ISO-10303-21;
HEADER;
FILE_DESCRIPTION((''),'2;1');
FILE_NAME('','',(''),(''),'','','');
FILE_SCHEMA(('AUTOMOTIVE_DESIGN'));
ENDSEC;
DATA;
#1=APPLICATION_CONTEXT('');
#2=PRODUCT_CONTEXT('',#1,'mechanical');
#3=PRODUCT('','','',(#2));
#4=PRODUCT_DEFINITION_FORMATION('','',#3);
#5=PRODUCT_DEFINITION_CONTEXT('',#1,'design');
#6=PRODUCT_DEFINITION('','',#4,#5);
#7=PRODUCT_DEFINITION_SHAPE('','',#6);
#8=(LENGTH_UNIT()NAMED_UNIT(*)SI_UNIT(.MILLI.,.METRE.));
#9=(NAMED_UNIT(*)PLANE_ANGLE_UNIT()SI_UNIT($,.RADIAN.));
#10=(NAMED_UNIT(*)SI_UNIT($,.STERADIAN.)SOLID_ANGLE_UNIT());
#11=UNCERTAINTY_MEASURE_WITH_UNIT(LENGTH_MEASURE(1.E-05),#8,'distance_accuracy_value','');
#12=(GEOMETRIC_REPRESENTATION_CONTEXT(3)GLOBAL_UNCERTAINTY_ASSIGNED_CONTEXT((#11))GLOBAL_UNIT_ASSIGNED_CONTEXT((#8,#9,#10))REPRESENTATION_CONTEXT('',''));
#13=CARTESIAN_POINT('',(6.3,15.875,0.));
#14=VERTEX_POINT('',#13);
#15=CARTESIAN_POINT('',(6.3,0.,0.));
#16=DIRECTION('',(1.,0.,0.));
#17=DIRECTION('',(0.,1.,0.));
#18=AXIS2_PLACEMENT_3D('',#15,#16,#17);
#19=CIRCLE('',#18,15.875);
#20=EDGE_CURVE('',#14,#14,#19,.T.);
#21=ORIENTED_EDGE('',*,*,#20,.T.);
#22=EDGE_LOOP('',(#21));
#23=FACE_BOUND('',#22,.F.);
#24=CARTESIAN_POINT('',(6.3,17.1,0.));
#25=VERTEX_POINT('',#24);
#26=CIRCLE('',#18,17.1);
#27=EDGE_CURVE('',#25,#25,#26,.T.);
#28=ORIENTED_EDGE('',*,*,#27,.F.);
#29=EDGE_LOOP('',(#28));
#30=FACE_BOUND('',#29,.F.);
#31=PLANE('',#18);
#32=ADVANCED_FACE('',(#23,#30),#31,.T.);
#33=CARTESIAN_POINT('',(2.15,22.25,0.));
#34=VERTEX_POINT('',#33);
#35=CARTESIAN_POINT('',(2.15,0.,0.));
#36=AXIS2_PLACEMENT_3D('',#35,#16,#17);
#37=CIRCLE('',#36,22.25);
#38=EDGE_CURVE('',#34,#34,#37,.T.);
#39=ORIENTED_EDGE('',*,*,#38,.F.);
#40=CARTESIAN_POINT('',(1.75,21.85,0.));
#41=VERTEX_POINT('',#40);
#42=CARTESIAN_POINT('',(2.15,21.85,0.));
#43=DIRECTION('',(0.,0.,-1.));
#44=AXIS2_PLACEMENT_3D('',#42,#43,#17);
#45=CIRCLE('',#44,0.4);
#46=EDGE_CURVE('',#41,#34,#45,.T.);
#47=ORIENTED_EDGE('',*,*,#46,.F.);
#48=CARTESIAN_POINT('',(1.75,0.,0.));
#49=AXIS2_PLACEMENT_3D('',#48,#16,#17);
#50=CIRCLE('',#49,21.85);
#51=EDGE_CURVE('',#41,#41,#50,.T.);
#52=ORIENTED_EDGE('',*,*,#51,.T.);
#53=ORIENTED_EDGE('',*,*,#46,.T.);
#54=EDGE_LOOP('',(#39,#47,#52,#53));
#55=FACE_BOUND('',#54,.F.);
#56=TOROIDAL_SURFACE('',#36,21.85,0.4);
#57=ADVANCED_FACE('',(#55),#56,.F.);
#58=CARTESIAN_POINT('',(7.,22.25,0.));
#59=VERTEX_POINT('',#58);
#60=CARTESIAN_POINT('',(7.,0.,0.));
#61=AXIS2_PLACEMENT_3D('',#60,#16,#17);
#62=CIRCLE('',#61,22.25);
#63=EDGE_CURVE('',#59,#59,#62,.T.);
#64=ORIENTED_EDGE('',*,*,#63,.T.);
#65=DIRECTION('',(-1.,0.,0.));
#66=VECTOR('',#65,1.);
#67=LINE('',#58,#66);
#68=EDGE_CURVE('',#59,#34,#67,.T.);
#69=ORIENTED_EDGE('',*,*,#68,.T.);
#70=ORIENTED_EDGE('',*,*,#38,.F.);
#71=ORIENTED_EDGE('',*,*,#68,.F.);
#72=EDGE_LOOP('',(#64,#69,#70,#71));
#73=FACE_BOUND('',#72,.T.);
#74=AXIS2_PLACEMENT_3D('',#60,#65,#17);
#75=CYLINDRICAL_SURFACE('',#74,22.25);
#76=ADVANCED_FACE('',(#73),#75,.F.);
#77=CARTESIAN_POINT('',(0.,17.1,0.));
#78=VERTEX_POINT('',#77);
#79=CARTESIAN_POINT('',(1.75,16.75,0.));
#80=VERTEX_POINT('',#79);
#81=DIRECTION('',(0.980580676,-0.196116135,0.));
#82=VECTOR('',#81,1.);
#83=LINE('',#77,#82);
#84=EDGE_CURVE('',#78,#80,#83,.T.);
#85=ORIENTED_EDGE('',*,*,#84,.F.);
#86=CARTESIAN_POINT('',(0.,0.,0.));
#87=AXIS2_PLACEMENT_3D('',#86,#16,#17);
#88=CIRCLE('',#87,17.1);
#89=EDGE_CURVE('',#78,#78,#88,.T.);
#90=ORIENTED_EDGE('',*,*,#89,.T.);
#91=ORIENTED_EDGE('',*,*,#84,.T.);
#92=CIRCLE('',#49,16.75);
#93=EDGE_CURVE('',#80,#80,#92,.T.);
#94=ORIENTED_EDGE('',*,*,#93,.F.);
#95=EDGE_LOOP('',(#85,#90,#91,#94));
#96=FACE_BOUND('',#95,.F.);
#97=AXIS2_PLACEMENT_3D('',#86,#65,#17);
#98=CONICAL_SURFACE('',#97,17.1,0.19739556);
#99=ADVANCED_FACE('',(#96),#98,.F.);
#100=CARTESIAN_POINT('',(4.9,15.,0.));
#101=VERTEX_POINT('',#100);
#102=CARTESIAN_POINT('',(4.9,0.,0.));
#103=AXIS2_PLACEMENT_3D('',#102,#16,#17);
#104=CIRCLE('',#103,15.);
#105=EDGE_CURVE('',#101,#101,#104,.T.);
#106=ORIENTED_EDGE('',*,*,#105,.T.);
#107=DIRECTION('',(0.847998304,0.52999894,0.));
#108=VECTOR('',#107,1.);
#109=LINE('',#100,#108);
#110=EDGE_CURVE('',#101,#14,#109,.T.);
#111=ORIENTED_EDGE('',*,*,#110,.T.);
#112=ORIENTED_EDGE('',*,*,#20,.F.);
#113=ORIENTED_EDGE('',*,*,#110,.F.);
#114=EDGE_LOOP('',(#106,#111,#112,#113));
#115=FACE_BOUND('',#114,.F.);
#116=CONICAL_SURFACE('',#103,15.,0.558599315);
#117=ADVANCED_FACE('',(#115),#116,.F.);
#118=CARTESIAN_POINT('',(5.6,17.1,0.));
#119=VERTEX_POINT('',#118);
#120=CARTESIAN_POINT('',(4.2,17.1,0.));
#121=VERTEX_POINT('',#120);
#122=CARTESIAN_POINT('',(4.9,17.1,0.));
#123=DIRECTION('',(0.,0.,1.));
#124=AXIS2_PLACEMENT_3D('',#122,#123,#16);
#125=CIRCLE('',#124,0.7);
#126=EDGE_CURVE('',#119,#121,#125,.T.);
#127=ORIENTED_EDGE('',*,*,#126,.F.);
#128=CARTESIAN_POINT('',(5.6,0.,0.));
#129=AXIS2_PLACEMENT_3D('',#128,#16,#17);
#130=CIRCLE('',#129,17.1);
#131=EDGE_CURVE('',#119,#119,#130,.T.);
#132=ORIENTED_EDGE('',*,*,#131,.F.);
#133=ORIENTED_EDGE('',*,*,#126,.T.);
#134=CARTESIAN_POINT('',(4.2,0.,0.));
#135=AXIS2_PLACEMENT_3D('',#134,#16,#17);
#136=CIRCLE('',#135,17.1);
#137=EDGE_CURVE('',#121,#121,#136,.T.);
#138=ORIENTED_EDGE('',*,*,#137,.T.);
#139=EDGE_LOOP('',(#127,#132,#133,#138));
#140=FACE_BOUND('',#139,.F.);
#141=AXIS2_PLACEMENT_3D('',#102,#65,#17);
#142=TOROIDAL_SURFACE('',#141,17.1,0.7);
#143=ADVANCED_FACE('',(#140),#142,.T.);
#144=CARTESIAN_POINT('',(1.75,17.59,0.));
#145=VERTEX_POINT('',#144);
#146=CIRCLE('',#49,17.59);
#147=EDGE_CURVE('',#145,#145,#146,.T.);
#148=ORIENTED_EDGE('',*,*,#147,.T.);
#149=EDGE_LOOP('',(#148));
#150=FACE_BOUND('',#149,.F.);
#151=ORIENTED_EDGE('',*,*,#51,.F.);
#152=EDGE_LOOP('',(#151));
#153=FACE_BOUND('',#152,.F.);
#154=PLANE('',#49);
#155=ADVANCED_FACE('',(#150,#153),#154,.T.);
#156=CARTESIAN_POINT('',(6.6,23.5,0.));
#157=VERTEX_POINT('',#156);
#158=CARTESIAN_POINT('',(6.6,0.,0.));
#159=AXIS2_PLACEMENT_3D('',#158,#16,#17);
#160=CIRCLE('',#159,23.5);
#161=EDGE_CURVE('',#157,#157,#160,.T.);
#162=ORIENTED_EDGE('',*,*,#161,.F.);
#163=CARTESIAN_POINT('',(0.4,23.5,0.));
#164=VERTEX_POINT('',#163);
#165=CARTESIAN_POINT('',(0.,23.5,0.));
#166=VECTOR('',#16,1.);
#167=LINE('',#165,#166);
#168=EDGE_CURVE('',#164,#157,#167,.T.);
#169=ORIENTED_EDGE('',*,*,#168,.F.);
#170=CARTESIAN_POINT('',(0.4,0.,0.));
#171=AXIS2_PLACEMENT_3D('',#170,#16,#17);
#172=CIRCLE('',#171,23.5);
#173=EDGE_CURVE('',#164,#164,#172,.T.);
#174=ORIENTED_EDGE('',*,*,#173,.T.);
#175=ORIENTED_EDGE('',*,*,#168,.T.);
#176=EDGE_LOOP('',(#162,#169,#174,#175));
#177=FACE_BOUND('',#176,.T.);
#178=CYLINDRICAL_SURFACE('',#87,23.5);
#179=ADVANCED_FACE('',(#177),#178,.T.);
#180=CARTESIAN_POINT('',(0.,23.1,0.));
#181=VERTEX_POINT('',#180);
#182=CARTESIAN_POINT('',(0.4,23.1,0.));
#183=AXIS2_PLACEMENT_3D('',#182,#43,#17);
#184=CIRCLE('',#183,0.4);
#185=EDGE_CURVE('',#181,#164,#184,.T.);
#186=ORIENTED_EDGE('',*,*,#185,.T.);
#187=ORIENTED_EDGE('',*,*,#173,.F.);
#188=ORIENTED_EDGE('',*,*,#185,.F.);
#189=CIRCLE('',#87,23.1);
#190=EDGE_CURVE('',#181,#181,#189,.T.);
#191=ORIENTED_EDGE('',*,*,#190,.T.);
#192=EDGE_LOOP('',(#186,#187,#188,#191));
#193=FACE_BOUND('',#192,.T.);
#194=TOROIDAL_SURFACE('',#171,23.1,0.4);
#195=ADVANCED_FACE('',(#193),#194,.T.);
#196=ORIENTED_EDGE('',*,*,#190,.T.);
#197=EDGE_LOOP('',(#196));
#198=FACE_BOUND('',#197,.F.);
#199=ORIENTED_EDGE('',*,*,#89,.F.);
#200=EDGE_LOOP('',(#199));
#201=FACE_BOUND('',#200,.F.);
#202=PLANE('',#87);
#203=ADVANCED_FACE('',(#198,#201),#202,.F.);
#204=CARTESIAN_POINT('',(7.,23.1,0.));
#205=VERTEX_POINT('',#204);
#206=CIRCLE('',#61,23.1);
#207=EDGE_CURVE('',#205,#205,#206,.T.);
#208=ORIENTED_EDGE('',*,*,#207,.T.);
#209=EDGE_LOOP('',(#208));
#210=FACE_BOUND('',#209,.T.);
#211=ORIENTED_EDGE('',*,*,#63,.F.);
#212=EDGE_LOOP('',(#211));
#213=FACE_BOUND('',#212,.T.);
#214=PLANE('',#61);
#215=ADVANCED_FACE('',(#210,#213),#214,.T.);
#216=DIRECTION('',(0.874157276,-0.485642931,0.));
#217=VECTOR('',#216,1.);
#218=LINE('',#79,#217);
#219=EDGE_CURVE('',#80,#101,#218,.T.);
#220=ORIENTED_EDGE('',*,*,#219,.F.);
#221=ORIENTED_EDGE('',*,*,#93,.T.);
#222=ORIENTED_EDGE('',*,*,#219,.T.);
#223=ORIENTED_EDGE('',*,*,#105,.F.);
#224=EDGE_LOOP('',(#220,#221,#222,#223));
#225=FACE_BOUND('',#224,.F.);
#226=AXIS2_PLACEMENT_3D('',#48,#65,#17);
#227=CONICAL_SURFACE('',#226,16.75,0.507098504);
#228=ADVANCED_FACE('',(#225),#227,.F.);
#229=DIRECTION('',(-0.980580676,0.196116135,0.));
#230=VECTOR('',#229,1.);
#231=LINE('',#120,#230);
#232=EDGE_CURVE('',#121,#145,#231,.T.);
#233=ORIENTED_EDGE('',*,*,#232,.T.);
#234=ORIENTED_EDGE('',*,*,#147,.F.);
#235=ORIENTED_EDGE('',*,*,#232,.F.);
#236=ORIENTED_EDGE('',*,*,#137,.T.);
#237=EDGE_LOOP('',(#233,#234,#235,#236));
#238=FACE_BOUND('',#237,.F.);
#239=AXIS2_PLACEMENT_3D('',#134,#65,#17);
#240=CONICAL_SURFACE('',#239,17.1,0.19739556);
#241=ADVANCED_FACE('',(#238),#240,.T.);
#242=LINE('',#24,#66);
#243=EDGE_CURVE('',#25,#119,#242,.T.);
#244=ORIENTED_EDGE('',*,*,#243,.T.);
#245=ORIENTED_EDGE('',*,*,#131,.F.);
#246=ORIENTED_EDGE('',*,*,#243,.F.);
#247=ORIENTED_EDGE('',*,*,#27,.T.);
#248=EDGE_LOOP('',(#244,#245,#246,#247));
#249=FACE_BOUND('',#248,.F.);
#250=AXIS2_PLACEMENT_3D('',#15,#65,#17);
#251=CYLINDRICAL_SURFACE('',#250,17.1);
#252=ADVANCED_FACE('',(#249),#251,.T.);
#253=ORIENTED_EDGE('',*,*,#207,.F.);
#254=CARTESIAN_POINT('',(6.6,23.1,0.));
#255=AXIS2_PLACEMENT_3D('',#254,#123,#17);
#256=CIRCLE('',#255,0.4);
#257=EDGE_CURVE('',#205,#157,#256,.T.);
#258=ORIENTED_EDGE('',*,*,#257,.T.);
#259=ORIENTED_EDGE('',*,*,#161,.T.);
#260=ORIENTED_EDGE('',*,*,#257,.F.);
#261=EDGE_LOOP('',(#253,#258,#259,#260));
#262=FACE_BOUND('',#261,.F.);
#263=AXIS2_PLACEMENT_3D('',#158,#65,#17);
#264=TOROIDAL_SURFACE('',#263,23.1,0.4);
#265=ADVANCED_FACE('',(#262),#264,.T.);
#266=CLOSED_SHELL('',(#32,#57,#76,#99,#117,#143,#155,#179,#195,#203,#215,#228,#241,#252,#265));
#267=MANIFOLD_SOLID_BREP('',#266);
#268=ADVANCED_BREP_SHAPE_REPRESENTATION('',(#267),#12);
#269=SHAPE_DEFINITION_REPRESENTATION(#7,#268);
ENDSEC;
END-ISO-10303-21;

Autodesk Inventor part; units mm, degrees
ref_plane "YZ Plane" through (0, 0, 0) normal (1, 0, 0) x (0, 1, 0)
ref_plane "XZ Plane" through (0, 0, 0) normal (0, 1, 0) x (-1, 0, 0)
ref_plane "XY Plane" through (0, 0, 0) normal (0, 0, 1) x (1, 0, 0)
sketch "Эскиз1" plane through (0, 0, 0) normal (0, 0, 1) x (1, 0, 0)
  circle A0 centre (4.9, 17.1) radius 0.455
  circle A1 centre (4.9, 17.1) radius 0.7
  line L0 (6.3, 15.875) -> (6.3, 17.1)
  line L1 (0, 23.5) -> (7, 23.5)
  line L2 (7, 23.5) -> (7, 22.25)
  line L3 (7, 22.25) -> (1.75, 22.25)
  line L4 (0, 0) -> (9.5856, 0)
  line L5 (0, 23.5) -> (0, 17.1)
  line L6 (0, 17.1) -> (1.75, 16.75)
  line L7 (1.75, 16.75) -> (4.9, 15)
  line L8 (4.9, 15) -> (6.3, 15.875)
  line L9 (4.9, 15) -> (0, 15) construction
  line L10 (0, 18) -> (0, -3) projected
  line L11 (-1.9171, 0) -> (11.5027, 0) projected
  line L12 (4.2, 17.1) -> (1.75, 17.59)
  line L13 (1.75, 17.59) -> (1.75, 22.25)
  line L14 (6.3, 17.1) -> (5.6, 17.1)
  dimension "d0" = 47
  dimension "d1" = 31.75
  dimension "d2" = 1.25
  dimension "d3" = 0.91
  dimension "d4" = 1.4
  dimension "d5" = 30
  dimension "d6" = 33.5
  dimension "d7" = 34.2
  dimension "d8" = 4.9
  dimension "d9" = 6.3
  dimension "d10" = 7
  dimension "d12" = 1.75
revolve "Базовый элемент" add sketch "Эскиз1" angle 360 about axis through (0, 0, 0) along (1, 0, 0) contours L14 L0 L8 L7 L6 L5 L1 L2 L3 L13 L12 A1
revolve "Пружинные1" add sketch "Эскиз1" angle 360 about axis through (0, 0, 0) along (1, 0, 0) contours A0 | A1
fillet "Сопряжение1" radius 0.4 3 edges at (7, -23.5, 0) (1.75, -22.25, 0) (0, -23.5, 0)
equation "\"d0\" = SD2"
equation "\"d1\" = ABDM"
equation "\"d3\" = SPDI"
equation "\"d4\" = SPDA"
equation "\"d5\" = NND"
equation "\"d6\" = TKDM"
equation "\"d7\" = HLDM"
equation "\"d8\" = SPDST"
equation "\"d9\" = SDI"
equation "\"d10\" = SWDT"
equation "\"d12\" = SD"
equation "\"d11\" = RR"
equation "\"SD2\" = 47"
equation "\"SWDT\" = 7"
equation "\"RR\" = 0.4"
equation "\"SD\" = 1.75"
equation "\"NND\" = 30"
equation "\"SPDA\" = 1.4"
equation "\"SPDI\" = 0.91"
equation "\"TKDM\" = 33.5"
equation "\"HLDM\" = 34.2"
equation "\"ABDM\" = 31.75"
equation "\"SDI\" = 6.3"
equation "\"SPDST\" = 4.9"
equation "\"LAB\" = 0.35"
properties part number "Манжет 1-30x47x7 ГОСТ 8752-79" material "Резина"
